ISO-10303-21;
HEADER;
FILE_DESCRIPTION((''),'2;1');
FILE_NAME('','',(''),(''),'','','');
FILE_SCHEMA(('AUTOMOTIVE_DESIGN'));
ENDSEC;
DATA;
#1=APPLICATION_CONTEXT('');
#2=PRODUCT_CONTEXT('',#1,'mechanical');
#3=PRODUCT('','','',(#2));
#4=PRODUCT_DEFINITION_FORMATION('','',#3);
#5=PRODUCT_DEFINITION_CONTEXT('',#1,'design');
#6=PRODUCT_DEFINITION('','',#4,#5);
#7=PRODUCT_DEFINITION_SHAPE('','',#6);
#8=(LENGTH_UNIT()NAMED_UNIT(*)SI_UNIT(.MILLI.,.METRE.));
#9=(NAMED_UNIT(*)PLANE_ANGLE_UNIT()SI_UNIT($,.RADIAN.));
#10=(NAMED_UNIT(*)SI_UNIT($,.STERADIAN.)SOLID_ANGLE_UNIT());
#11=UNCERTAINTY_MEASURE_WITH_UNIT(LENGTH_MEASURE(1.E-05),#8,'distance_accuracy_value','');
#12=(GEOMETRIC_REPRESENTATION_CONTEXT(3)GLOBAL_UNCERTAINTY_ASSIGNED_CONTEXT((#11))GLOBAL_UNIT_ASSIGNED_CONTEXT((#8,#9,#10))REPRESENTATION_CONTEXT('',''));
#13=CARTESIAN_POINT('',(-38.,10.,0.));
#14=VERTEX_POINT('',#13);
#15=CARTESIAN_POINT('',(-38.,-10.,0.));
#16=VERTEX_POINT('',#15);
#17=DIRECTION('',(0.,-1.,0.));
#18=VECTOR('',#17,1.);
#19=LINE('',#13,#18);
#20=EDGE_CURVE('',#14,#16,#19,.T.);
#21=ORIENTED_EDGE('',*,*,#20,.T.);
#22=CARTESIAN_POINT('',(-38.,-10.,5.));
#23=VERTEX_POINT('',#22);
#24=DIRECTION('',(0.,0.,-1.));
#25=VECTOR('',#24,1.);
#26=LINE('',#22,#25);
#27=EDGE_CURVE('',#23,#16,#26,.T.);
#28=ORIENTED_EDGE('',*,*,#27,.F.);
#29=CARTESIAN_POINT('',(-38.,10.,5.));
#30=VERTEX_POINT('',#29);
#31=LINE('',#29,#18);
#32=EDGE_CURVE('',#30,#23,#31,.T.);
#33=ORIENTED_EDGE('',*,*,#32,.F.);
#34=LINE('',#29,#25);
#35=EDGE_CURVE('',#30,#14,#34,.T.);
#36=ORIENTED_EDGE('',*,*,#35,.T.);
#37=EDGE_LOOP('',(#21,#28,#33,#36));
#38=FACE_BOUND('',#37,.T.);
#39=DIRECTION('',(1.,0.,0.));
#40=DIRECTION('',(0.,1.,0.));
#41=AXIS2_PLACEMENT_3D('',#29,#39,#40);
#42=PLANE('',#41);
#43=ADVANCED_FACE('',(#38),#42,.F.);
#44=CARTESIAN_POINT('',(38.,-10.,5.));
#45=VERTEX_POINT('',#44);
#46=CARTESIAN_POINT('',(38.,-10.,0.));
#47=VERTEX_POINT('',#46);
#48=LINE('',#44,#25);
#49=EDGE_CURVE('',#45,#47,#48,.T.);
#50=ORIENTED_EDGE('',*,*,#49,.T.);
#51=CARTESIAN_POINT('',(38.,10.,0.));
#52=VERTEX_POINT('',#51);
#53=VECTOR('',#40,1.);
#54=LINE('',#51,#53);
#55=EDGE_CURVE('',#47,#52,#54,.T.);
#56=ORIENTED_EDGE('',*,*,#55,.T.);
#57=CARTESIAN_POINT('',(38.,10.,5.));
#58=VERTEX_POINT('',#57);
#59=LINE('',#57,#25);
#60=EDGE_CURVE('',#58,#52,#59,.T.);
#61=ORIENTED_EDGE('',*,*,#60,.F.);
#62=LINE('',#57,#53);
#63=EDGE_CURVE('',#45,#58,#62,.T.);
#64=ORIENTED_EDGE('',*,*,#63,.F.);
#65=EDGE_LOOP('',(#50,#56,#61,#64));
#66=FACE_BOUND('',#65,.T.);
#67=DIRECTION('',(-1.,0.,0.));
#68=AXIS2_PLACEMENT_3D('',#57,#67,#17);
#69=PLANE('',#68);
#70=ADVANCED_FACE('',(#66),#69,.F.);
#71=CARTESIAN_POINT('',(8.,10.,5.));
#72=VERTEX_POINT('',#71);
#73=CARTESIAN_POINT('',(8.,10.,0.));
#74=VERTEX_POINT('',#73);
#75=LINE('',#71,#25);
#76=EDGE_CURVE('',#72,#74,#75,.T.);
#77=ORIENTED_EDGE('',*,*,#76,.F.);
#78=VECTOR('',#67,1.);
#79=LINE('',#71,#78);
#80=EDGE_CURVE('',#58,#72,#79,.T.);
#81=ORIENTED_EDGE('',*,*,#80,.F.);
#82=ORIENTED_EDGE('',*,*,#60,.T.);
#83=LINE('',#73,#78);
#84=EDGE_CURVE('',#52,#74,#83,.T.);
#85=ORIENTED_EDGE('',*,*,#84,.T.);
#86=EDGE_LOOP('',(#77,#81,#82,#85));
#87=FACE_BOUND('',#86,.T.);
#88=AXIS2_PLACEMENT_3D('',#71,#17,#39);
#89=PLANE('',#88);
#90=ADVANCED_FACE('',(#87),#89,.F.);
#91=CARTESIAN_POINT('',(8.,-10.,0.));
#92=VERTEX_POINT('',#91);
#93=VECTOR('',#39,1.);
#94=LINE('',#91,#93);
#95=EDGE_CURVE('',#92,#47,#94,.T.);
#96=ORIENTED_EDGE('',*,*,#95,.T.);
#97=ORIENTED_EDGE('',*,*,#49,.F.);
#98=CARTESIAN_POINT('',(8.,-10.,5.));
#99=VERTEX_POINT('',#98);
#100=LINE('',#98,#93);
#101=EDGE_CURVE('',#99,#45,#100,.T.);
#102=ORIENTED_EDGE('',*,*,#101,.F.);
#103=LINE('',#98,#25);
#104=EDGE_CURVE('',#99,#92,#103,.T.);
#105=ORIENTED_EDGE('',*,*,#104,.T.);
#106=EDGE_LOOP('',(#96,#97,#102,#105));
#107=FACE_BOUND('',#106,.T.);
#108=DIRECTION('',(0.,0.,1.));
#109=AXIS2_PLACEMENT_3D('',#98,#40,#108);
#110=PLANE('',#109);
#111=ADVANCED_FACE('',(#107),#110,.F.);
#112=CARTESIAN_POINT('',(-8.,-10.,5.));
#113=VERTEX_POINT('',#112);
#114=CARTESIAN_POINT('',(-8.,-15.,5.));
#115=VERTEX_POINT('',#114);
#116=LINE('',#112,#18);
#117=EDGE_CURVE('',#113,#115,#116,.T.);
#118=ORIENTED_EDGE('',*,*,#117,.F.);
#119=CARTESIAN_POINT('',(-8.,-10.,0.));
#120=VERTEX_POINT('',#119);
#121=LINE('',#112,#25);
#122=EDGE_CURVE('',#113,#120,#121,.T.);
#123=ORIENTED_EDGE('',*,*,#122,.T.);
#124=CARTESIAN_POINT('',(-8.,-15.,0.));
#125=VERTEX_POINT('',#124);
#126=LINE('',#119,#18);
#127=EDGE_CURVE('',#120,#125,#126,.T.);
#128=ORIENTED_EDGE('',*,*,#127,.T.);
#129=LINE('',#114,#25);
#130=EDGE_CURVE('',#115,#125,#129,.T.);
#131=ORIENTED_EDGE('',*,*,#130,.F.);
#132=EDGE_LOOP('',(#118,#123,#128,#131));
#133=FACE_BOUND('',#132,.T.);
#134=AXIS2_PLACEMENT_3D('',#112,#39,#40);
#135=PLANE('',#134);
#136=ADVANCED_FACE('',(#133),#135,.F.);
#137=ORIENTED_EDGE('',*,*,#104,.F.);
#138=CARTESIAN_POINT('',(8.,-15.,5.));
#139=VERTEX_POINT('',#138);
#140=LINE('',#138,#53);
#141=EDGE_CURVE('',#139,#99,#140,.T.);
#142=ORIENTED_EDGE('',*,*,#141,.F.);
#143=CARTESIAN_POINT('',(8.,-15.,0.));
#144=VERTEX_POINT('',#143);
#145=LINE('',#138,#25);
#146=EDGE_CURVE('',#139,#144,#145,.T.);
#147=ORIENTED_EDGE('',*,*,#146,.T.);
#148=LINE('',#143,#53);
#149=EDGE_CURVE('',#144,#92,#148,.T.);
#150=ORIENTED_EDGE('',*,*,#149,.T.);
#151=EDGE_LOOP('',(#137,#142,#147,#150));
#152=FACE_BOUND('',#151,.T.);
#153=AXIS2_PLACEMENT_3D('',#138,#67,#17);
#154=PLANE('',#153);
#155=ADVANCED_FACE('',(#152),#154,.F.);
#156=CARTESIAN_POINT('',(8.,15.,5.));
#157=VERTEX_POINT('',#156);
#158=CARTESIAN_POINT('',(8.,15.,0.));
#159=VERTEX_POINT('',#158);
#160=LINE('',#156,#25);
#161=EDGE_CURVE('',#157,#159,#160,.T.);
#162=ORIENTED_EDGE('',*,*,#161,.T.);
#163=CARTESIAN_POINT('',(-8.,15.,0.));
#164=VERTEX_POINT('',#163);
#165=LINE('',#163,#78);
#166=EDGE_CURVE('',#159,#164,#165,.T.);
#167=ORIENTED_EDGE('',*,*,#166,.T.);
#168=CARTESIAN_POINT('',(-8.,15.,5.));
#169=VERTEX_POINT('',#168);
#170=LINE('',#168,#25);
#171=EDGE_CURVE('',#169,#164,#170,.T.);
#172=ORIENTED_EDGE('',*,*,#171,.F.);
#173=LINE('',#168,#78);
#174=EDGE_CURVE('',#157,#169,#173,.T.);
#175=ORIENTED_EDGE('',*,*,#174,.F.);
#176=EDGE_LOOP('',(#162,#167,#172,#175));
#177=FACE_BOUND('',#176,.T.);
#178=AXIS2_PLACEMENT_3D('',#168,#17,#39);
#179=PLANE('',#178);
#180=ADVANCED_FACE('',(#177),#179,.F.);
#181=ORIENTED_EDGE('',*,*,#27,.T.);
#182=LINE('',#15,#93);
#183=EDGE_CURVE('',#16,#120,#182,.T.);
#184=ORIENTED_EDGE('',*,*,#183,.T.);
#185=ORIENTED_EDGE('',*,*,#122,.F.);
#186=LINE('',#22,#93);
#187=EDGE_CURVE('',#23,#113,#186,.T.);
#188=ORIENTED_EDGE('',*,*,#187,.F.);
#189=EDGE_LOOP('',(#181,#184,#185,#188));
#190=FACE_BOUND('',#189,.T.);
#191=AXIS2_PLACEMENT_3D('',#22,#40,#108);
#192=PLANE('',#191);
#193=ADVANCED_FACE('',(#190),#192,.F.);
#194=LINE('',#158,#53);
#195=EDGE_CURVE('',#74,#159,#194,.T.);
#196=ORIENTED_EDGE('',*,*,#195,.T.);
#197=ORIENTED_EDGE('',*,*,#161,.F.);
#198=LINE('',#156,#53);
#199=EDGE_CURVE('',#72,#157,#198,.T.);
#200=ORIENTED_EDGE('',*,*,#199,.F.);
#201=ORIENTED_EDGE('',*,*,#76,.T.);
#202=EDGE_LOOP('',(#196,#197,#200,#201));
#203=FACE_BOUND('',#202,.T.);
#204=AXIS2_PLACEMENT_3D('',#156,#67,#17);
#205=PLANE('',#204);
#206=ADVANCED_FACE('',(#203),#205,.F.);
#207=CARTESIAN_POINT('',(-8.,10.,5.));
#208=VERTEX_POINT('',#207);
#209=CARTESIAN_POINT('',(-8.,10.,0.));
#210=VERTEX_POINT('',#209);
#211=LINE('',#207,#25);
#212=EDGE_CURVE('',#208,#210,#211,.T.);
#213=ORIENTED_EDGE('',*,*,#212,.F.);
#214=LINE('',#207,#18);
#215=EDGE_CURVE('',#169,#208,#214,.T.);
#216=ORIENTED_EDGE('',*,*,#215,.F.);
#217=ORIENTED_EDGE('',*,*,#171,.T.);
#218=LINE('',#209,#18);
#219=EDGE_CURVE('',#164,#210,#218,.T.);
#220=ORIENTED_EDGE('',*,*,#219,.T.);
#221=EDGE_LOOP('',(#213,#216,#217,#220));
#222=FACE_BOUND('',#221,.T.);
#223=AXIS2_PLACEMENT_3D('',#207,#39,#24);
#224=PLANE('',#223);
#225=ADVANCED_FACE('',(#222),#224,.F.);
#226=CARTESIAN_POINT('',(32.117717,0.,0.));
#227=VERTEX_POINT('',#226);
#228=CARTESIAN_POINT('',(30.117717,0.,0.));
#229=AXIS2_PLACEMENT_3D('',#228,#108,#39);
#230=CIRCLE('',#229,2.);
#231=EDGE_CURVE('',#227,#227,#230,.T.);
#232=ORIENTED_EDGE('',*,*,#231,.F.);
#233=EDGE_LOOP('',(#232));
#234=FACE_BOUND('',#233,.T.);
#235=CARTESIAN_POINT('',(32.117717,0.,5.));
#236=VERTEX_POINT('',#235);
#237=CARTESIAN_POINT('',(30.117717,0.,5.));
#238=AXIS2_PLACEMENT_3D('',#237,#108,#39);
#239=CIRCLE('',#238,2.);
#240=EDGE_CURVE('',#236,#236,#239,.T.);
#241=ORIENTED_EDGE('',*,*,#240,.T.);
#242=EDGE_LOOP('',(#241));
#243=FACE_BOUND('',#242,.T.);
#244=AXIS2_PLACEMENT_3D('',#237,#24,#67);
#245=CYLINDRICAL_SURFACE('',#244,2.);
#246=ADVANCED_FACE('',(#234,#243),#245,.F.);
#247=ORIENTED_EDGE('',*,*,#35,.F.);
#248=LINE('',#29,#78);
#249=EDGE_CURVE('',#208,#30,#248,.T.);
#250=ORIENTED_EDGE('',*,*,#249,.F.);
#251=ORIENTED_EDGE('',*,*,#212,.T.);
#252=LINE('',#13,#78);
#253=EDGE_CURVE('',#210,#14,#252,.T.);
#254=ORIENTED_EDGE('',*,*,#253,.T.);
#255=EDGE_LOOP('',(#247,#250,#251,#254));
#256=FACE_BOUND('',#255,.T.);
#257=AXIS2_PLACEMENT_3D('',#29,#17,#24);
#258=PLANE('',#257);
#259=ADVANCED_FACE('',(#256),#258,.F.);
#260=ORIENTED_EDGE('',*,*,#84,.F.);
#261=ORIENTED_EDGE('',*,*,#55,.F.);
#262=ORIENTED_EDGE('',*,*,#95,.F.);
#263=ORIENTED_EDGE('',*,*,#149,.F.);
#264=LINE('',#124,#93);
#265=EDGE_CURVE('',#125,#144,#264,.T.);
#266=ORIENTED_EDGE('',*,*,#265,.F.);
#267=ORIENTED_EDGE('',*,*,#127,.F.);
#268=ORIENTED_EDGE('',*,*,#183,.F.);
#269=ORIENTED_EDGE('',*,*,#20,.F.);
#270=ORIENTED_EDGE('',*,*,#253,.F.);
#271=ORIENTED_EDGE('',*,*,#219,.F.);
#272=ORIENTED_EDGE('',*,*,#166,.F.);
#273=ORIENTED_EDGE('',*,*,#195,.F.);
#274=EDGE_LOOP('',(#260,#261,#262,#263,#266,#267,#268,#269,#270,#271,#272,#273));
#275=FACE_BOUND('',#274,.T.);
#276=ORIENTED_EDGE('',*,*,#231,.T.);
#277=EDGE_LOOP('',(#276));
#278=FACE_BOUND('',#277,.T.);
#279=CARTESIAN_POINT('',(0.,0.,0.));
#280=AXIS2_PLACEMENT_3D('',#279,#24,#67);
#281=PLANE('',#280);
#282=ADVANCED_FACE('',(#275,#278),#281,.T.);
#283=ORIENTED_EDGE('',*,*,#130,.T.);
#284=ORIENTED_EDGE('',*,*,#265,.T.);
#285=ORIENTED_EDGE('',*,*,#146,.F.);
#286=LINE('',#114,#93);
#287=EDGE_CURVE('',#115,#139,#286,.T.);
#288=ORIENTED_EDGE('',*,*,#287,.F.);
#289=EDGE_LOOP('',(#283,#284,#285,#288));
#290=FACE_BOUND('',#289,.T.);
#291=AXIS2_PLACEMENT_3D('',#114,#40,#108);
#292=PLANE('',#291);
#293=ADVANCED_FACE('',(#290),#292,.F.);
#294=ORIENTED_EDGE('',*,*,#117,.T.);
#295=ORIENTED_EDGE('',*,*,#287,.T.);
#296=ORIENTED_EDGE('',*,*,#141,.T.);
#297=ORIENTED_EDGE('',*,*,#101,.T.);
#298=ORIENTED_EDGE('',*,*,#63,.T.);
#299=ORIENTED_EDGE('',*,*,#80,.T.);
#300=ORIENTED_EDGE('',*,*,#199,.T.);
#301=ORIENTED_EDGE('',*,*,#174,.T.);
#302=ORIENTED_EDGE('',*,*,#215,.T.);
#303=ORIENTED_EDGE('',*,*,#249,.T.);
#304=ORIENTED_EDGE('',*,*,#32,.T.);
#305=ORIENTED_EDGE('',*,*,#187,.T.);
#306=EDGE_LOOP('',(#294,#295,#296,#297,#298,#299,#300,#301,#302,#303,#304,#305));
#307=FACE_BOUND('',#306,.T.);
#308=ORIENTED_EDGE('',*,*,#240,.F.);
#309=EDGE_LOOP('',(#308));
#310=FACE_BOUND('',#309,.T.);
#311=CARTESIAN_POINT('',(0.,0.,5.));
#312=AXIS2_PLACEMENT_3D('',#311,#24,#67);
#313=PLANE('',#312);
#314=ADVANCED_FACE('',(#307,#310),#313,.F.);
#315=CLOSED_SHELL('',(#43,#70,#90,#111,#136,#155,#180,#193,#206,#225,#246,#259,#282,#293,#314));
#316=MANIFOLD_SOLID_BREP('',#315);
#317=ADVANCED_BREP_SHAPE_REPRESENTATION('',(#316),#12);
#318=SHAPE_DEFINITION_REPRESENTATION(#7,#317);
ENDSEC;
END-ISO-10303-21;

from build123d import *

# Parameters (mm, degrees)
SKETCH1_R           = 2
BOSS_EXTRUDE1_DEPTH = 5


with BuildPart() as part:
    # Sketch1 → Boss-Extrude1 (new body)
    with BuildSketch(Plane.XY):
        Polygon((-8, 10), (-8, 15), (8, 15), (8, 10), (38, 10), (38, -10), (8, -10), (8, -15), (-8, -15), (-8, -10), (-38, -10), (-38, 10), align=None)
        with Locations((30.117717463, 0)):
            Circle(SKETCH1_R, mode=Mode.SUBTRACT)
    extrude(amount=BOSS_EXTRUDE1_DEPTH)


solid = part.part
